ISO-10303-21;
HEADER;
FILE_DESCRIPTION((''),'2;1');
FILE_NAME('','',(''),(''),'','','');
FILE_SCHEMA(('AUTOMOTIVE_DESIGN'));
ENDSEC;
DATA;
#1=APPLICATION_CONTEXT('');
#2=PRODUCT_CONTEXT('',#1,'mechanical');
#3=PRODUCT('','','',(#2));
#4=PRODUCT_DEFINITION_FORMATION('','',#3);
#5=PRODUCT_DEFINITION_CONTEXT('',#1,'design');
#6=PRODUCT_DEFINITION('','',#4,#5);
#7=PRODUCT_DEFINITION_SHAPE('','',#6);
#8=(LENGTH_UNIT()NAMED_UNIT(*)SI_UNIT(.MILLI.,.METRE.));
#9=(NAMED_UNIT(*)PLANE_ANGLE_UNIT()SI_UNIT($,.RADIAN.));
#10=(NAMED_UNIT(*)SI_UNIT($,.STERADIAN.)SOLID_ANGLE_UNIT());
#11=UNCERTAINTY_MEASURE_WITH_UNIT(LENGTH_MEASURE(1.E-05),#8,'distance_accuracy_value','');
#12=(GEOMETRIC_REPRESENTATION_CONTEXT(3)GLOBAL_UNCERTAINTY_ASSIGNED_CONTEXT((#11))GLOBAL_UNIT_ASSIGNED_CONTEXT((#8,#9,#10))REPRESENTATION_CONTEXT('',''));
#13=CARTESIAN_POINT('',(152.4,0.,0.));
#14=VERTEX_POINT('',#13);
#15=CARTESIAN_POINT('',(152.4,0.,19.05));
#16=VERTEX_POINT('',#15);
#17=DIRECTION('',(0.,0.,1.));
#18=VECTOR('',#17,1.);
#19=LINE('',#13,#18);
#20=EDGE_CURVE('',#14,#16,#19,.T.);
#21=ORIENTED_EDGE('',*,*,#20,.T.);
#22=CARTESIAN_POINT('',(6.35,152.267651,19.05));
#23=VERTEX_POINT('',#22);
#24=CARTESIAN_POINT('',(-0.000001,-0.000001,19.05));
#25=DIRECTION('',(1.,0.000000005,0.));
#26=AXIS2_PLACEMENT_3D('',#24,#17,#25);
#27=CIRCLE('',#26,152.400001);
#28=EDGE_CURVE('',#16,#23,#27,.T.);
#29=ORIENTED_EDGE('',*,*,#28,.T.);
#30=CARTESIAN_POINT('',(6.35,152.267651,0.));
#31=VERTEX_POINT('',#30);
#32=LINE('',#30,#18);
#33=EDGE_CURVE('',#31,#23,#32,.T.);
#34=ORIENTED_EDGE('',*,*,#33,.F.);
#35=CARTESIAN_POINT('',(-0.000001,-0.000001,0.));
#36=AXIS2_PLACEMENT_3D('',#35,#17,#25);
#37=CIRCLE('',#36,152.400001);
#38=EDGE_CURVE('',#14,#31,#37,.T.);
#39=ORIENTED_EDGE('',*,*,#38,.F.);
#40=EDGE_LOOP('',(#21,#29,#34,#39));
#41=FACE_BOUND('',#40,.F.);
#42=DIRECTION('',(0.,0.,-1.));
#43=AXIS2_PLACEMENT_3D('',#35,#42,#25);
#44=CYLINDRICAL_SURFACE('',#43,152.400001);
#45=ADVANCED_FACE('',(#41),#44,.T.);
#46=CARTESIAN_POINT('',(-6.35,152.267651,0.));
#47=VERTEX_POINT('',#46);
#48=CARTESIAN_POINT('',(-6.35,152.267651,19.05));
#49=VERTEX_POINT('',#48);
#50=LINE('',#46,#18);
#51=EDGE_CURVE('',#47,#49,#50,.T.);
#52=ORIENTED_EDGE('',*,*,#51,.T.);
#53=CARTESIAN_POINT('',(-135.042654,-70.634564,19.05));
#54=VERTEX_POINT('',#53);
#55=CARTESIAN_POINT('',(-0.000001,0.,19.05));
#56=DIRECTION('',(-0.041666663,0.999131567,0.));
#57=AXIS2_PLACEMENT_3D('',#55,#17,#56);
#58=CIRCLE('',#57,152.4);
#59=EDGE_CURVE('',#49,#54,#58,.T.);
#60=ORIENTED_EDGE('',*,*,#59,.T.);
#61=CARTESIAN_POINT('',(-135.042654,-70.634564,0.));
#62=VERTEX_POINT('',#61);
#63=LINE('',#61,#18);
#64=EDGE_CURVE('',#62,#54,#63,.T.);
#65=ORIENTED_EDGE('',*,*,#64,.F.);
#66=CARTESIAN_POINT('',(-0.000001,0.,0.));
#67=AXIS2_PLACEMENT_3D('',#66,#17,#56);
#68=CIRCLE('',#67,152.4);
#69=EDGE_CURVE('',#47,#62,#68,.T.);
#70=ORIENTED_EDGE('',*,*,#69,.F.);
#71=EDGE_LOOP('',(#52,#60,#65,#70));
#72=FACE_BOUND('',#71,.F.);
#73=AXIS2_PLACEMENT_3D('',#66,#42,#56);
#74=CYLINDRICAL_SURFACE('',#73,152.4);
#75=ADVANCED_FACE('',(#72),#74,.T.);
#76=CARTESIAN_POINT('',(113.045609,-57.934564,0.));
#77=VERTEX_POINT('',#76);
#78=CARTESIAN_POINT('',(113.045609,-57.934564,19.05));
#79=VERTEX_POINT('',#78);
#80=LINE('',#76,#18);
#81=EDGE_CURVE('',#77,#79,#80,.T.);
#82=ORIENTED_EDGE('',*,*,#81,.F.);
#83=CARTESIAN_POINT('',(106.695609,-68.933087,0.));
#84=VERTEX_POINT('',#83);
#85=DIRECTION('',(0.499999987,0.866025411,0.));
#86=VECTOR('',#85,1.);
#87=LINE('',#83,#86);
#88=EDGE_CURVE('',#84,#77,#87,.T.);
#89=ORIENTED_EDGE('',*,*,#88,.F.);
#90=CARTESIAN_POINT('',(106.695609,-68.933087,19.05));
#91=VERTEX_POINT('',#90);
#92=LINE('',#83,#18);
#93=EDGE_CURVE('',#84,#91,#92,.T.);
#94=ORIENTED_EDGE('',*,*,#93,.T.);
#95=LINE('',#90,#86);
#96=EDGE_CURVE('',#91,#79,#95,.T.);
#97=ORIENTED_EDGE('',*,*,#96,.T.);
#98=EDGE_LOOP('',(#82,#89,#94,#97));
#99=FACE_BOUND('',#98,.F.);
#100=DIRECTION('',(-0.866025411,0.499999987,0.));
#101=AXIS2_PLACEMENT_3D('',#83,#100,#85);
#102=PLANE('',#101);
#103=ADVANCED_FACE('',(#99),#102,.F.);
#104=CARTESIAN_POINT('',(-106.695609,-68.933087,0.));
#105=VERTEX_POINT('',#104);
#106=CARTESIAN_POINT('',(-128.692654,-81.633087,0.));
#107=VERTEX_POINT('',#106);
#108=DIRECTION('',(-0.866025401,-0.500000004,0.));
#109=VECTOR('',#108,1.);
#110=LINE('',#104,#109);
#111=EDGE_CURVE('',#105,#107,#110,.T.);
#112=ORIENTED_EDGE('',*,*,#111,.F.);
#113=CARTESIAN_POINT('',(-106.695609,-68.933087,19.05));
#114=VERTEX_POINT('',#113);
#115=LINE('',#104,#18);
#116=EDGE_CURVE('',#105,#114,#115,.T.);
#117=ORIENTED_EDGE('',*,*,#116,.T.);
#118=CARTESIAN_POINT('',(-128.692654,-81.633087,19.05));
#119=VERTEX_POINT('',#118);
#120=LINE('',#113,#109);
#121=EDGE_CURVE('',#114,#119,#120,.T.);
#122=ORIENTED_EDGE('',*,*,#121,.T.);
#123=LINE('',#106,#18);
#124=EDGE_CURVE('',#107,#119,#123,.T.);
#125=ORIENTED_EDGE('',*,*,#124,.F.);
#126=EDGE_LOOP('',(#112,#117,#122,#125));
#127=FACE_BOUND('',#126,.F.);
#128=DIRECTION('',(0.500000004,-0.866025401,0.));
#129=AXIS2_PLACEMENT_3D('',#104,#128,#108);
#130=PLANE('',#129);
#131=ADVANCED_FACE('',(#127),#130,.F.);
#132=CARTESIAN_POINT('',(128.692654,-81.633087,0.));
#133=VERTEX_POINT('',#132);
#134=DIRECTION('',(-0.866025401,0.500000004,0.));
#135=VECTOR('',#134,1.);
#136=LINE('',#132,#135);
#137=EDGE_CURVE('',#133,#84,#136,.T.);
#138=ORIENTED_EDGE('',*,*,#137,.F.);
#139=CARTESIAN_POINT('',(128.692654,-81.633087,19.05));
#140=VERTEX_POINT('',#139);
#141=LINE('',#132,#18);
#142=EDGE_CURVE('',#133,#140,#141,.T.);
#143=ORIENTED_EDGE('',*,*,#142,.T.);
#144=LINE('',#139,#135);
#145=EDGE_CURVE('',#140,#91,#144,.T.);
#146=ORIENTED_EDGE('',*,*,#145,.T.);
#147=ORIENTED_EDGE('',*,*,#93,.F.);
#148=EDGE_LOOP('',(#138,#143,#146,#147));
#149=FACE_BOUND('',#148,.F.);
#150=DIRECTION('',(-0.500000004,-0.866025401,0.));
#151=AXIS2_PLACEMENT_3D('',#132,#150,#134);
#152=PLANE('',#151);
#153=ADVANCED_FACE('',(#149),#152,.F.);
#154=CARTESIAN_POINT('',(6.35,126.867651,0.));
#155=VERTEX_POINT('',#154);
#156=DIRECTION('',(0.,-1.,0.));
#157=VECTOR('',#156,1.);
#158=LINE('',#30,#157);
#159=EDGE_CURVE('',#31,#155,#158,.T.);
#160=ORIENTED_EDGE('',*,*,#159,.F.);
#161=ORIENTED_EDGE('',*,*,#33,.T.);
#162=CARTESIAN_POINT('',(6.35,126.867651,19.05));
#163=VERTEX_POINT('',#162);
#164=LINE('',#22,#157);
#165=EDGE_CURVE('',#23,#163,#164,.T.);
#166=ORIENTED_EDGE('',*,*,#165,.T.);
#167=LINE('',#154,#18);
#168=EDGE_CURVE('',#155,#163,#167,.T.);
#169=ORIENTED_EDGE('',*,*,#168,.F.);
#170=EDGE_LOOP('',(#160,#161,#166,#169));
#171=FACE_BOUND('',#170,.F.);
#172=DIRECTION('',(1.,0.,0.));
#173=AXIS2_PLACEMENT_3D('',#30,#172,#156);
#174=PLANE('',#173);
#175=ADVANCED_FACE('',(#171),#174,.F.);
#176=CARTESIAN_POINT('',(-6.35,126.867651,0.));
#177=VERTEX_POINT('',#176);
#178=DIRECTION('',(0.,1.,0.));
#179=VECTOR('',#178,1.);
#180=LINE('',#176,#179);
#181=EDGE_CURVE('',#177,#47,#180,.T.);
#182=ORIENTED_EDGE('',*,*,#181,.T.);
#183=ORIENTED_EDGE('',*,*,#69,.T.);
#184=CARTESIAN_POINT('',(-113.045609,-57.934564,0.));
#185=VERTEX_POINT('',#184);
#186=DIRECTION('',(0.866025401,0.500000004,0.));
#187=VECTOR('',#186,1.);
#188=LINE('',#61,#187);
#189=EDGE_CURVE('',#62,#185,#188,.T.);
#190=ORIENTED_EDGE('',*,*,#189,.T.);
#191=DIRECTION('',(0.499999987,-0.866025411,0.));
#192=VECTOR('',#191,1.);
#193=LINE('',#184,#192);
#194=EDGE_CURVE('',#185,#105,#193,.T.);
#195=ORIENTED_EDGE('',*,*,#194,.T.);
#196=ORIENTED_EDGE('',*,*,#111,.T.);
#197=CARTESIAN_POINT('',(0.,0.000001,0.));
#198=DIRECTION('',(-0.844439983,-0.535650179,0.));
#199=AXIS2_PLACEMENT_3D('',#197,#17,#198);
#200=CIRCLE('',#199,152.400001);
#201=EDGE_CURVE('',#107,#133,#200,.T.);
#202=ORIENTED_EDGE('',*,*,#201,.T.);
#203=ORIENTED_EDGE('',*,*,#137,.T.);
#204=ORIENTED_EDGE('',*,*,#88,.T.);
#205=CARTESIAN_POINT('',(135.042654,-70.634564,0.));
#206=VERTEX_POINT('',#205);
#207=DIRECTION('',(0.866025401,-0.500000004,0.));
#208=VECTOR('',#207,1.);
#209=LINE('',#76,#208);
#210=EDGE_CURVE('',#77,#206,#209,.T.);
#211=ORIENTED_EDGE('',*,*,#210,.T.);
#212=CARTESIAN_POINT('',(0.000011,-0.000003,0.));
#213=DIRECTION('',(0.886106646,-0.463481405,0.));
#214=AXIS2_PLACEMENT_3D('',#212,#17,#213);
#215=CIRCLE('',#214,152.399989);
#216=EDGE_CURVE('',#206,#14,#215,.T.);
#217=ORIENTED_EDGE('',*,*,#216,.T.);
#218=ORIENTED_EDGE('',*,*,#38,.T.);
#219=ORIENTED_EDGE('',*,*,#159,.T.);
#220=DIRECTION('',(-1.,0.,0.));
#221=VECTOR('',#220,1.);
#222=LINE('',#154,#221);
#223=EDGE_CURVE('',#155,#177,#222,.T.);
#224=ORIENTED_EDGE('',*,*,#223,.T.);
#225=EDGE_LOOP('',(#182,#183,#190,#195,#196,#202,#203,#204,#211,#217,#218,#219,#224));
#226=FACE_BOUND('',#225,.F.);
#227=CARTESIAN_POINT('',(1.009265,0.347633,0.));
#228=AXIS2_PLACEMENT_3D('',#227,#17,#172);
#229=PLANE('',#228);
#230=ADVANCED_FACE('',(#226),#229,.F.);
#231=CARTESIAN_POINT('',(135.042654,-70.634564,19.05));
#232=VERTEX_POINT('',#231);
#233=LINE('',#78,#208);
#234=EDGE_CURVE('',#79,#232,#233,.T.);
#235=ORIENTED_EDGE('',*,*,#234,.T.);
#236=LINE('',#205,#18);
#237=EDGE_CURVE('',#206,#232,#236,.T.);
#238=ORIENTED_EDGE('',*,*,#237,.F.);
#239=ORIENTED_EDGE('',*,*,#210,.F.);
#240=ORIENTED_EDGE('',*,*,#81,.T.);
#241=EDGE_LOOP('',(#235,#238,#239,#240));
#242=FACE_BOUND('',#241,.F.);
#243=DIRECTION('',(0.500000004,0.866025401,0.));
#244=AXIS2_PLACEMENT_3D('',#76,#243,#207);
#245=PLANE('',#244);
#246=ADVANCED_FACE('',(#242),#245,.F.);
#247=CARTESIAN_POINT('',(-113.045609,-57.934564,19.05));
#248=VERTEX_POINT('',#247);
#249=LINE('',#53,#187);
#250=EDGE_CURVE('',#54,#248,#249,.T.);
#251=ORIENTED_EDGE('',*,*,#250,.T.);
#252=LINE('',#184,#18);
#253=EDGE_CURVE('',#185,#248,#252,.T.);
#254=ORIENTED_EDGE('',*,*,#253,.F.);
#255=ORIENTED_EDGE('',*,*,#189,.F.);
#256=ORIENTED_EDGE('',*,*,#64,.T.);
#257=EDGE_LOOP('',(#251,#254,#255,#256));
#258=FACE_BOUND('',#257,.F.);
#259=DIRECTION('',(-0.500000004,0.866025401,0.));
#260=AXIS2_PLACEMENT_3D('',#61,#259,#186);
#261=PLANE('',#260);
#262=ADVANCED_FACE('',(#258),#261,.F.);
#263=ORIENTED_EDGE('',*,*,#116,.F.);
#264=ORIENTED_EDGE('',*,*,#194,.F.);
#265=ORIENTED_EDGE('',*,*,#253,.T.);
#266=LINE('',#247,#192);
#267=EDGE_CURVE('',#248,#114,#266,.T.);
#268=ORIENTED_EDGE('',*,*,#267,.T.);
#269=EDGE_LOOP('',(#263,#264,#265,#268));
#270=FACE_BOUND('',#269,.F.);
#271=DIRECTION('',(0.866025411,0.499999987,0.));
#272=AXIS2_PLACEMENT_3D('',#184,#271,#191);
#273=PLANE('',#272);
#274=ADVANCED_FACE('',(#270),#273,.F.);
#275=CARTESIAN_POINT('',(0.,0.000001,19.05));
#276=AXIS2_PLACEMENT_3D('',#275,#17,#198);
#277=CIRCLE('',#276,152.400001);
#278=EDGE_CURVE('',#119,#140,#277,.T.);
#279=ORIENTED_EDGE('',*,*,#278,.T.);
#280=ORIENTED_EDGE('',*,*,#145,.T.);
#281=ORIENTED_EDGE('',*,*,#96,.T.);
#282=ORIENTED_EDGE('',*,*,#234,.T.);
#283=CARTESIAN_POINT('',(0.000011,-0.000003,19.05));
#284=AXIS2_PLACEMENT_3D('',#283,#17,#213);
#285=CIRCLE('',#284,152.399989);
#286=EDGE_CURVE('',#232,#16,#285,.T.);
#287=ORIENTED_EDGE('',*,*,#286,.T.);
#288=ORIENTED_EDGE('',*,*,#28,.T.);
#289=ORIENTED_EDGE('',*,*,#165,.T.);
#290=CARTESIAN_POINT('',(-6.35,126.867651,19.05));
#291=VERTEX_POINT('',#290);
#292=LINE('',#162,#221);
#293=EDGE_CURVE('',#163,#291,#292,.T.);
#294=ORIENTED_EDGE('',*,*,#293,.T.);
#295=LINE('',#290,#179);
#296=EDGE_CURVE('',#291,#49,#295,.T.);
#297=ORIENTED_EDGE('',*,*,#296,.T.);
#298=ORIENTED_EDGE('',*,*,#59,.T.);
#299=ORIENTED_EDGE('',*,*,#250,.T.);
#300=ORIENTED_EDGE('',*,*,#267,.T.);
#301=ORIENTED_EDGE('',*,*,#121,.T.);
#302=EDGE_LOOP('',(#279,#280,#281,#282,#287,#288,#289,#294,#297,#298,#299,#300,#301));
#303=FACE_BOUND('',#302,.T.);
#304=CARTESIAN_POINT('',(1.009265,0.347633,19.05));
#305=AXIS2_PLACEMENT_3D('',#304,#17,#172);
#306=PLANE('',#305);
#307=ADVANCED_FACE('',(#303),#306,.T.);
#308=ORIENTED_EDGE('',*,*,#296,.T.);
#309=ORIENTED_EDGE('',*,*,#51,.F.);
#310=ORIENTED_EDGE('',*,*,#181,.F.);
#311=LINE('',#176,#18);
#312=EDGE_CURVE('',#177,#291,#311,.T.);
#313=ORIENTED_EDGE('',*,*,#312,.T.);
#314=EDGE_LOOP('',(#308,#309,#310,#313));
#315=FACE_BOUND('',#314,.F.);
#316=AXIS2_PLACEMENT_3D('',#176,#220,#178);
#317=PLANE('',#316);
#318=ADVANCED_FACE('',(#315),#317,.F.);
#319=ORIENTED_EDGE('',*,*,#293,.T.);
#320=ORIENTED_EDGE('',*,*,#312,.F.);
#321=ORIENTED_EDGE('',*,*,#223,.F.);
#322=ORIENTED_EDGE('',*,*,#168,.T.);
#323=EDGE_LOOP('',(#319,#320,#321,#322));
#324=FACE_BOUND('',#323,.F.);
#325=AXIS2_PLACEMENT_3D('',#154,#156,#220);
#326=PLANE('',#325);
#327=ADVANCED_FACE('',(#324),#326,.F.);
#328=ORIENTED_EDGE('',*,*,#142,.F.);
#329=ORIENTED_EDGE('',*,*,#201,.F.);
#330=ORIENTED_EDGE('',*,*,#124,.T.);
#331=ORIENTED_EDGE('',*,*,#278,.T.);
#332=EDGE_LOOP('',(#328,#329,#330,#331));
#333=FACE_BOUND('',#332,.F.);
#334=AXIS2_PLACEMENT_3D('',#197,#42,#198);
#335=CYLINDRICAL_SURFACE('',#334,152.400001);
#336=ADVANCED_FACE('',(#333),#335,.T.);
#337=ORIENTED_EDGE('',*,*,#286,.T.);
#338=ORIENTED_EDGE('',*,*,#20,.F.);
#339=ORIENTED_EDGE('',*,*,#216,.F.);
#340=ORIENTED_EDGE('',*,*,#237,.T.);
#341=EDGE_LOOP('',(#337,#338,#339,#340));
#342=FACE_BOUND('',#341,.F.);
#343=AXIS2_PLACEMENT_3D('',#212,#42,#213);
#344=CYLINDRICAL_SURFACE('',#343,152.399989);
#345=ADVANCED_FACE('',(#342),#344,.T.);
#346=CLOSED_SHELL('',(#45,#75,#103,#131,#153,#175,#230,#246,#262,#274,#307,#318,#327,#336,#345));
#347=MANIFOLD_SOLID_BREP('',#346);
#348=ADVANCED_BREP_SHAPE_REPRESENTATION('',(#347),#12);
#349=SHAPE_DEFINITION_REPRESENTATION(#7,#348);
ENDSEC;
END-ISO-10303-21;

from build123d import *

# Parameters (mm, degrees)
F1_DEPTH = 19.05


with BuildPart() as f1:
    # F0 (on Top) → F1 (new body)
    with BuildSketch(Plane.XY):
        with BuildLine():
            ThreePointArc((135.042654, -70.634564), (147.997062, -36.367977), (152.4, 0))
            ThreePointArc((152.4, 0), (109.985226, 105.494123), (6.35, 152.267651))
            Line((6.35, 152.267651), (6.35, 126.867651))
            Line((6.35, 126.867651), (-6.35, 126.867651))
            Line((-6.35, 126.867651), (-6.35, 152.267651))
            ThreePointArc((-6.35, 152.267651), (-131.982272, 76.2), (-135.042654, -70.634564))
            Line((-135.042654, -70.634564), (-113.045609, -57.934564))
            Line((-113.045609, -57.934564), (-106.695609, -68.933087))
            Line((-106.695609, -68.933087), (-128.692654, -81.633087))
            ThreePointArc((-128.692654, -81.633087), (0, -152.4), (128.692654, -81.633087))
            Line((128.692654, -81.633087), (106.695609, -68.933087))
            Line((106.695609, -68.933087), (113.045609, -57.934564))
            Line((113.045609, -57.934564), (135.042654, -70.634564))
        make_face()
    extrude(amount=F1_DEPTH)


solid = f1.part
